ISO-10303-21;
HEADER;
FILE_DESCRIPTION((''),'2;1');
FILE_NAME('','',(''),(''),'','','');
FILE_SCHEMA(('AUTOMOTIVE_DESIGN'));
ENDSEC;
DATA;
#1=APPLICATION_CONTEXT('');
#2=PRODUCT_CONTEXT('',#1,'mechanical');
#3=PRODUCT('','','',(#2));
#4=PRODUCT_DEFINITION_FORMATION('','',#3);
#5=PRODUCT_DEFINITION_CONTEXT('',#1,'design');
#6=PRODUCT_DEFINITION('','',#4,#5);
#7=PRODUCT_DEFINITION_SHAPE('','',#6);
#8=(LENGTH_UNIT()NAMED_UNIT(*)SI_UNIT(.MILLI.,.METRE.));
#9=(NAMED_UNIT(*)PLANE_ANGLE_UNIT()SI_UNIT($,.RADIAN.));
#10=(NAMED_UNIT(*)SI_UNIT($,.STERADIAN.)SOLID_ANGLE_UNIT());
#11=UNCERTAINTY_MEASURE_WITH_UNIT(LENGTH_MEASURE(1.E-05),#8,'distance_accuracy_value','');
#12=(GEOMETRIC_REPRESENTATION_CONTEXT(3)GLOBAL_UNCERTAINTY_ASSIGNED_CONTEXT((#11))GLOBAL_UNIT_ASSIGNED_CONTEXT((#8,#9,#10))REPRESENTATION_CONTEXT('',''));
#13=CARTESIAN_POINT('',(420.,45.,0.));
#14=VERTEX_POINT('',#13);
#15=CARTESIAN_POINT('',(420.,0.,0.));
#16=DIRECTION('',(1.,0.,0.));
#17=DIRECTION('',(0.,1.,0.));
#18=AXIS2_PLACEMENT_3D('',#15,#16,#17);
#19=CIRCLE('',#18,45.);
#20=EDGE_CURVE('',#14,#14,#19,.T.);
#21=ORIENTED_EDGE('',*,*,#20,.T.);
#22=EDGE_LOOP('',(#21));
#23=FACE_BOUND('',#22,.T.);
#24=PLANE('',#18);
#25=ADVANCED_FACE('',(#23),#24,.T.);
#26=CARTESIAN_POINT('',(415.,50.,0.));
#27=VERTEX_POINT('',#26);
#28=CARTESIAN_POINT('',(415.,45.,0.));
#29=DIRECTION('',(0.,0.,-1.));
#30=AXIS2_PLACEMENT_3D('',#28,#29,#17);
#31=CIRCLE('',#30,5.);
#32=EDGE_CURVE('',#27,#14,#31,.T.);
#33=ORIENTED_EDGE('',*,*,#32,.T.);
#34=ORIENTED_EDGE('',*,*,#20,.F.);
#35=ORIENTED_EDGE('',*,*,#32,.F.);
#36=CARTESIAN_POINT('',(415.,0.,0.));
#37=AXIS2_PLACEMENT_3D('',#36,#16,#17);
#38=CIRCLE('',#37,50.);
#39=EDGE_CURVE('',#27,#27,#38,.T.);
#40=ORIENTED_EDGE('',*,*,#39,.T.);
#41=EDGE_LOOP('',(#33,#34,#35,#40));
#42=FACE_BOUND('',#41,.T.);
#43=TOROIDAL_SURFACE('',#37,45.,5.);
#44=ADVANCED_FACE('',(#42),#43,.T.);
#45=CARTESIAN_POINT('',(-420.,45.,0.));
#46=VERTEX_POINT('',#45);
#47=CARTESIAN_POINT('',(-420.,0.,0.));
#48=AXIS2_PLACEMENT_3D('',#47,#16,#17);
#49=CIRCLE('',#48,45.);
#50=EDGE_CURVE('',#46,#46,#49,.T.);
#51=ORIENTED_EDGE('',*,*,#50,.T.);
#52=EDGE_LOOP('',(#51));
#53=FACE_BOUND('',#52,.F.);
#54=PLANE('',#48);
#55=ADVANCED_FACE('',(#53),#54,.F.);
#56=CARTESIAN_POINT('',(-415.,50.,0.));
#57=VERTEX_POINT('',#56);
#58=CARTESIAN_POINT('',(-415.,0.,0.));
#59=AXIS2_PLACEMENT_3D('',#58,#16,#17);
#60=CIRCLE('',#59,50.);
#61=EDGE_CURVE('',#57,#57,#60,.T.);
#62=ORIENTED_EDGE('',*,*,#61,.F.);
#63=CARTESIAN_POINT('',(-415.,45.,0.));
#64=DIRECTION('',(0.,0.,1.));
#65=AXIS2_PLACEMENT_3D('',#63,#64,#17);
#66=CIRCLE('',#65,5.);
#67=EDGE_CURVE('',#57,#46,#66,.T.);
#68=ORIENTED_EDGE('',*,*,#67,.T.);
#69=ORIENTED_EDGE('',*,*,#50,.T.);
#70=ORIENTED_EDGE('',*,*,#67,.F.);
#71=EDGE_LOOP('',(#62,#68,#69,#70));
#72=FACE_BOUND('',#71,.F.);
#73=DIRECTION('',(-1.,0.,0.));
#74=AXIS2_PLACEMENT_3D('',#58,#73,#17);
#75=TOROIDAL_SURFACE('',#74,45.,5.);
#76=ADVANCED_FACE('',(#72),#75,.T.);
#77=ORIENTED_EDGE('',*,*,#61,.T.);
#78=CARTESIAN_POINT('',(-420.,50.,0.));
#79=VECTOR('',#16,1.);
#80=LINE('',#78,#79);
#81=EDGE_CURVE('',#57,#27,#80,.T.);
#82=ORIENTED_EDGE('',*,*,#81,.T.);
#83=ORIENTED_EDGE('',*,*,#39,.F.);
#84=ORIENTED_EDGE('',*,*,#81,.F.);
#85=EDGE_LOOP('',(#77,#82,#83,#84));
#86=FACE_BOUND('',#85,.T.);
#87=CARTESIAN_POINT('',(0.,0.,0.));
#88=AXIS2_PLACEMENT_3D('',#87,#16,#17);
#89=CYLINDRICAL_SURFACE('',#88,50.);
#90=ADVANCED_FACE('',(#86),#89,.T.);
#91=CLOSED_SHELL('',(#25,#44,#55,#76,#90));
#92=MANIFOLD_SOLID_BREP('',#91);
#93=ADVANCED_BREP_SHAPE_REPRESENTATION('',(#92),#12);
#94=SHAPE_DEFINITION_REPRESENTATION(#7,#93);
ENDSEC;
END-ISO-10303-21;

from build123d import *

# Parameters (mm, degrees)
F0_R          = 50
F1_DEPTH      = 420
F1_DEPTH_BACK = 420
F2_R          = 5


with BuildPart() as f1:
    # F0 (on Right) → F1 (new body, two sides)
    with BuildSketch(Plane.YZ) as f1_sk:
        Circle(F0_R)
    extrude(amount=F1_DEPTH)
    extrude(f1_sk.sketch, amount=-F1_DEPTH_BACK)

    # F2
    f2_edges = [f1.edges().sort_by_distance(p)[0] for p in [
        (420, -50, 0),
        (-420, -50, 0),
    ]]
    fillet(f2_edges, radius=F2_R)


solid = f1.part
